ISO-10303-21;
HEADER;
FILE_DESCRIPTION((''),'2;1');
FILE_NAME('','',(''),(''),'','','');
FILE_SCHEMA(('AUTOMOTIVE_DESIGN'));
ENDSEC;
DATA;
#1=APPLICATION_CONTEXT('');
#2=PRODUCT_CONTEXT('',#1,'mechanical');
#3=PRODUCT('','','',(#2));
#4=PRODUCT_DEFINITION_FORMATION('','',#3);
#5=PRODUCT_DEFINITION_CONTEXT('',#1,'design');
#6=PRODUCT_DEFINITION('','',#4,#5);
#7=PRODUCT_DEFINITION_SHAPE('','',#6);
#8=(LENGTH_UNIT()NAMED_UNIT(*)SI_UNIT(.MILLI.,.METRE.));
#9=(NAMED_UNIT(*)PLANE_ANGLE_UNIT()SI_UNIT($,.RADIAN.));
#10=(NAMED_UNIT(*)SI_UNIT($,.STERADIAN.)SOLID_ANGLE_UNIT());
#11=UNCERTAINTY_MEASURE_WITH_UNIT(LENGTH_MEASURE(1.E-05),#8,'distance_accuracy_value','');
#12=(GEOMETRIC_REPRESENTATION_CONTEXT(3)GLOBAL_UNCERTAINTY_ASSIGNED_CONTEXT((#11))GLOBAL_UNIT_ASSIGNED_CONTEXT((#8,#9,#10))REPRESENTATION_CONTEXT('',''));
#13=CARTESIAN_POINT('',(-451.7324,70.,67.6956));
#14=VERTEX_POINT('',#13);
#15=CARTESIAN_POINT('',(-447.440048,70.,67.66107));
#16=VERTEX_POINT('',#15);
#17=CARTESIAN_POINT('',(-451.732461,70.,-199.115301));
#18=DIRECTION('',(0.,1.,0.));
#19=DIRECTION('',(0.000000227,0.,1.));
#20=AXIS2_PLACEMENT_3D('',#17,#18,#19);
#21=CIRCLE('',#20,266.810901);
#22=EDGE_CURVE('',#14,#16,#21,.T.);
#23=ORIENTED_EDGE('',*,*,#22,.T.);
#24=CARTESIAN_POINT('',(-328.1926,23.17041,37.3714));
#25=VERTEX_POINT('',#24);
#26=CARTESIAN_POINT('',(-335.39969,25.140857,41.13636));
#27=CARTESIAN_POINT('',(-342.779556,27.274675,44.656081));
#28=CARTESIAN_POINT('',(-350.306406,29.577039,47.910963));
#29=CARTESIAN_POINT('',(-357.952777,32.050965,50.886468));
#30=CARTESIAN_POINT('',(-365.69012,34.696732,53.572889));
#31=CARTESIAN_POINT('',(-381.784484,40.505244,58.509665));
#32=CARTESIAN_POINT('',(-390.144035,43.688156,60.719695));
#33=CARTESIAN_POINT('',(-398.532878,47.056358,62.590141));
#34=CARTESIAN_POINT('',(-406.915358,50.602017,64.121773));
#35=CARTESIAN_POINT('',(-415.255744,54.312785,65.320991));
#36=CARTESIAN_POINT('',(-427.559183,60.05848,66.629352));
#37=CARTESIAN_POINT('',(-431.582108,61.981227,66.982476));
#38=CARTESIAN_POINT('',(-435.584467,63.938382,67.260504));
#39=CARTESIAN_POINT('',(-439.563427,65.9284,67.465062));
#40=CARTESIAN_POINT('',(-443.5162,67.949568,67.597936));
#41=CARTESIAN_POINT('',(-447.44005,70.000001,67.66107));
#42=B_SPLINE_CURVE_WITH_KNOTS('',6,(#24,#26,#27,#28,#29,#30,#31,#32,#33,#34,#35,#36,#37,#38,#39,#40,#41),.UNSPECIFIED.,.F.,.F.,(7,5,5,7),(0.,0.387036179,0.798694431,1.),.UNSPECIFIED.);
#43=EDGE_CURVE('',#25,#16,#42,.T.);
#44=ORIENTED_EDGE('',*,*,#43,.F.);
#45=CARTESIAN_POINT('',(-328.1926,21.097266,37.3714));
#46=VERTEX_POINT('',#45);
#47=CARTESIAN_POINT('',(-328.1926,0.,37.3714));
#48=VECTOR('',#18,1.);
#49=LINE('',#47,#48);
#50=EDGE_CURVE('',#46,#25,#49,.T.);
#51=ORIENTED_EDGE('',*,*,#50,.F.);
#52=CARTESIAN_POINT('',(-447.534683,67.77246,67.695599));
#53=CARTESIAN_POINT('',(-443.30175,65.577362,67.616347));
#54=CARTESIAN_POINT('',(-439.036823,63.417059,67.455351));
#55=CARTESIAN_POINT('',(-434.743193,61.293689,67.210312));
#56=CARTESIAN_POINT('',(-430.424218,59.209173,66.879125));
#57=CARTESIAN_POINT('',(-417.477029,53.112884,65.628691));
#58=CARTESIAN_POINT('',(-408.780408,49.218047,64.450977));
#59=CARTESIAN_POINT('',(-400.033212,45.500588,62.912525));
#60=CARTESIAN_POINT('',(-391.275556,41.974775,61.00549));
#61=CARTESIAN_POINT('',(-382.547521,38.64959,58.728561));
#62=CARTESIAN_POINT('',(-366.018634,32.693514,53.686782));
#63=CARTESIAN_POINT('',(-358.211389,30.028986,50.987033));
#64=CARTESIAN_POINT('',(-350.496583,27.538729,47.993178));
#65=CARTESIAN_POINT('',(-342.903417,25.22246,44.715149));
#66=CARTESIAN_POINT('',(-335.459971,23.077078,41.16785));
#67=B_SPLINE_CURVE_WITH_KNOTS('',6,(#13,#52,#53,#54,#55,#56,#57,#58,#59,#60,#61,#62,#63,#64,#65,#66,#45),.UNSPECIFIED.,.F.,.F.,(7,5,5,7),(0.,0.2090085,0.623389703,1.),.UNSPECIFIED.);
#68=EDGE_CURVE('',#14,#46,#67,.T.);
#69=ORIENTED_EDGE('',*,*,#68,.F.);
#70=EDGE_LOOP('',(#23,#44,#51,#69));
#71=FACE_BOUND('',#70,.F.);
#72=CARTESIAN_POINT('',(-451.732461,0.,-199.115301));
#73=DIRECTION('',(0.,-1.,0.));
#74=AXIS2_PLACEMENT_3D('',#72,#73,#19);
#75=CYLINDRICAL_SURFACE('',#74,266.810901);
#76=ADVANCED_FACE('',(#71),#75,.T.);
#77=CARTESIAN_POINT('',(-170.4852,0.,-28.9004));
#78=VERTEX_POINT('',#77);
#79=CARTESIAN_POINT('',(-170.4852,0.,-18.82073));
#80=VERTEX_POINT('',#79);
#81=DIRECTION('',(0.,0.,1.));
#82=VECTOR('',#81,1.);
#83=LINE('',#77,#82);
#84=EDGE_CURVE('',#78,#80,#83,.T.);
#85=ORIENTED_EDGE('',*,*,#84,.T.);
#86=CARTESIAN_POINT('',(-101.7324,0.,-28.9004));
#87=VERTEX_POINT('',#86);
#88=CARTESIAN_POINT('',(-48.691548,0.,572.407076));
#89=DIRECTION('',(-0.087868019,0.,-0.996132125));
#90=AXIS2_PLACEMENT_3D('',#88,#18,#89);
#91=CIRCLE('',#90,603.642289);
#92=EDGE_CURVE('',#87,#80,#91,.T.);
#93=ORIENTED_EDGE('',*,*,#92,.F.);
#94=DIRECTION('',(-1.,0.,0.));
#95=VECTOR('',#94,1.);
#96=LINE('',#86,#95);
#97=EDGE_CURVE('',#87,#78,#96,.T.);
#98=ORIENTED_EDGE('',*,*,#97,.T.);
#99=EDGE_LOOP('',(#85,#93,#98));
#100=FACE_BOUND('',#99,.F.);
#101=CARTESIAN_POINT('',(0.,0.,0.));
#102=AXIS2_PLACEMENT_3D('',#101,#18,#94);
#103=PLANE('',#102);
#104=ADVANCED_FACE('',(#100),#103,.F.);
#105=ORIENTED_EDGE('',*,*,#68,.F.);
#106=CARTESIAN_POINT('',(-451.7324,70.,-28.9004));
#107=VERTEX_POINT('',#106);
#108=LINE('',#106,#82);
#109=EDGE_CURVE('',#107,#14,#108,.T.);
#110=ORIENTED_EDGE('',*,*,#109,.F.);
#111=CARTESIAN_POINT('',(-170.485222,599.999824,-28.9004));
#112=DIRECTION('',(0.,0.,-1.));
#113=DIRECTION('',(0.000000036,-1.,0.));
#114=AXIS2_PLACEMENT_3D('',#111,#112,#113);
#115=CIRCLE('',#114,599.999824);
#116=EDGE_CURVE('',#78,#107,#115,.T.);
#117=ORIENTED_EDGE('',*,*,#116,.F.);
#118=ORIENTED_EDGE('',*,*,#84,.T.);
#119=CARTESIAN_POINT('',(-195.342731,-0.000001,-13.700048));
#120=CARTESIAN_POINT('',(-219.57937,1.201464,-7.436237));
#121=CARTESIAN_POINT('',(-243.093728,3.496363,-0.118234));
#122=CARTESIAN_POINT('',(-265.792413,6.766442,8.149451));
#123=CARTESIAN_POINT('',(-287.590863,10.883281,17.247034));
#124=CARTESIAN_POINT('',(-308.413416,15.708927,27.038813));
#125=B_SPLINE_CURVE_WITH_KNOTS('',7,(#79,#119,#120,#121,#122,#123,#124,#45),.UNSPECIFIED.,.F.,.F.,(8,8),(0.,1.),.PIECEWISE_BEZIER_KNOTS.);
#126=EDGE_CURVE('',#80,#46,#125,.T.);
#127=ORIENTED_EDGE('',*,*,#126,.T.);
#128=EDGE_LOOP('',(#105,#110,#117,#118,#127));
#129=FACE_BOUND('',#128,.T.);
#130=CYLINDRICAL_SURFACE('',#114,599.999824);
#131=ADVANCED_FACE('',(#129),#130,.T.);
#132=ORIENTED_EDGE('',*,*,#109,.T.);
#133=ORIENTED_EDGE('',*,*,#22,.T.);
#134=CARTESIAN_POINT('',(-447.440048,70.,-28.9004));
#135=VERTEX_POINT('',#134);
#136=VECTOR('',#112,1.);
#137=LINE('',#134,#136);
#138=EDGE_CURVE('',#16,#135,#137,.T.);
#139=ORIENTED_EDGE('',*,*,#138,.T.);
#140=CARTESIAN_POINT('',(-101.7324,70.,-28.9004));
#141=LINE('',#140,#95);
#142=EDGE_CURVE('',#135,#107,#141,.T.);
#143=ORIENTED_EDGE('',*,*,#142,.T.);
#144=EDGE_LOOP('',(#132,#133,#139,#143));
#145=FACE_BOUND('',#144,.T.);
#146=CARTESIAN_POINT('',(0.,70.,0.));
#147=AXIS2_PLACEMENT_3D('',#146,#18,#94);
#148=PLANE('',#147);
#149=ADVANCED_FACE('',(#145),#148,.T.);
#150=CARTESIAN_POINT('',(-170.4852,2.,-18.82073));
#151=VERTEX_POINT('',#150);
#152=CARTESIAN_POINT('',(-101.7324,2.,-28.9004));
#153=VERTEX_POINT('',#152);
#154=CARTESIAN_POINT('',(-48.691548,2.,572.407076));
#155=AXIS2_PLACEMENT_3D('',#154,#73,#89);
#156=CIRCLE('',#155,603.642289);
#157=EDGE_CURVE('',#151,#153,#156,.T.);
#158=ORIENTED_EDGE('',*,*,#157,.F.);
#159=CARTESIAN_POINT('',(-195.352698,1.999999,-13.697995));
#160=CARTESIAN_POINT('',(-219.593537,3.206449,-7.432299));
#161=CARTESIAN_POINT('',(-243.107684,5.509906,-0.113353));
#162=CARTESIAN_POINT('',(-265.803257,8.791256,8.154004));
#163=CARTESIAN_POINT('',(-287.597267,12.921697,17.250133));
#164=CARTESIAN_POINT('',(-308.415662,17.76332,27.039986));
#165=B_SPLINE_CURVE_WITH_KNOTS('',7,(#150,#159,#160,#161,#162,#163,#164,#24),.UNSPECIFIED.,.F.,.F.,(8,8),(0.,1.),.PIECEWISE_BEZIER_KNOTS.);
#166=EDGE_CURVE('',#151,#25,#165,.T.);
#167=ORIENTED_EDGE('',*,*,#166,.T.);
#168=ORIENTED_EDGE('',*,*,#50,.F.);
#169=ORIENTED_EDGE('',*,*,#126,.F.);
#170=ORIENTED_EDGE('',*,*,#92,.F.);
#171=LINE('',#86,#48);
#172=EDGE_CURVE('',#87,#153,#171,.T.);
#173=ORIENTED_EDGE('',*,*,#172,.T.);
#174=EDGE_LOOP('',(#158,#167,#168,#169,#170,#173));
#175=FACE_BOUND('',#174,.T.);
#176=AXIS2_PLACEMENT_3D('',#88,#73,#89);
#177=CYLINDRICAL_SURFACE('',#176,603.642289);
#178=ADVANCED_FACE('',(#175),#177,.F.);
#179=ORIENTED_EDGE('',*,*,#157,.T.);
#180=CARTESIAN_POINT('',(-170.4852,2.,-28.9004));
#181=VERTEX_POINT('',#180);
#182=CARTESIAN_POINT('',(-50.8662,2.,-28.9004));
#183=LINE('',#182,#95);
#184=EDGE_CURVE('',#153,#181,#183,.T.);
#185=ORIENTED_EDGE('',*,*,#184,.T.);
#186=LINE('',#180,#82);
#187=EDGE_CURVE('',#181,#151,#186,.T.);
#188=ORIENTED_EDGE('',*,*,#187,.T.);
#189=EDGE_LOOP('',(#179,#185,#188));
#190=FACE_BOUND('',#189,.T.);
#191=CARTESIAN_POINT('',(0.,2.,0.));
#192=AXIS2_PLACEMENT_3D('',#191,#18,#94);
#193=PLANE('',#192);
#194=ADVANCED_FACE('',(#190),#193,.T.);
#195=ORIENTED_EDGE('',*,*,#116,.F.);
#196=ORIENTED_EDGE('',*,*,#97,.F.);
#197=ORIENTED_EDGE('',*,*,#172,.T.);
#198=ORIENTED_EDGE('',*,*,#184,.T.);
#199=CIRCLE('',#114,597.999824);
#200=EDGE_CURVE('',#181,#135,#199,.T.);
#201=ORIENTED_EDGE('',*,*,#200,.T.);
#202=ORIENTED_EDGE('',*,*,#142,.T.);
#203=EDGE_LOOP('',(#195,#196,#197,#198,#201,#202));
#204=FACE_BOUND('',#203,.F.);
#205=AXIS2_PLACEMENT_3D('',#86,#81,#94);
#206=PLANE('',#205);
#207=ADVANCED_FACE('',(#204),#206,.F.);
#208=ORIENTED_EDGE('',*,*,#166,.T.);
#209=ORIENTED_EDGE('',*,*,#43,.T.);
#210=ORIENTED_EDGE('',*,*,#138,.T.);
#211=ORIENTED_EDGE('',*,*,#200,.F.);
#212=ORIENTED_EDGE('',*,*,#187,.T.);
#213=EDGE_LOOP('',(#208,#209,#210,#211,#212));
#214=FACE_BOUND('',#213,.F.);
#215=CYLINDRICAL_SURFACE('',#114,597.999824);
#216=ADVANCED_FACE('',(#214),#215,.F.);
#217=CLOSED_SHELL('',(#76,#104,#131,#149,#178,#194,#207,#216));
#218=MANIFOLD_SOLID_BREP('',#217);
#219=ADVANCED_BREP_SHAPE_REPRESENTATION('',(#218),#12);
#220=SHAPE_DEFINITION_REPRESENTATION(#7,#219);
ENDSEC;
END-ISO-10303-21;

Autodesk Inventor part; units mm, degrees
ref_plane "YZ Plane" through (0, 0, 0) normal (1, 0, 0) x (0, 1, 0)
ref_plane "XZ Plane" through (0, 0, 0) normal (0, 1, 0) x (-1, 0, 0)
ref_plane "XY Plane" through (0, 0, 0) normal (0, 0, 1) x (1, 0, 0)
sketch "スケッチ1" plane through (0, 0, 0) normal (0, 1, 0) x (-1, 0, 0)
  line L0 (101.7324, -28.9004) -> (451.7324, -28.9004)
  line L1 (451.7324, -28.9004) -> (451.7324, 67.6956)
  arc A0 (451.7324, 67.6956) -> (328.1926, 37.3714) centre (451.7324, -199.1148) ccw
  arc A1 (101.7324, -28.9004) -> (328.1926, 37.3714) centre (48.6916, 572.4068) ccw
  dimension "d1" = 350
  dimension "d2" = 603.642
extrude "押し出し1" add sketch "スケッチ1" along normal blind 70
sketch "スケッチ2" plane through (-101.7324, 0, -28.9004) normal (0, 0, -1) x (-1, 0, 0)
  arc A0 (68.7528, 0) -> (350, 70) centre (68.7528, 600) ccw
  line L0 (350, 0) -> (0, 0) projected
  line L1 (350, 0) -> (350, 70) projected
  line L2 (0, 0) -> (0, 70) projected
  point P0 (-101.7324, 0)
  dimension "d9" = 600
extrude "押し出し2" cut sketch "スケッチ2" against normal through all
shell "シェル1" thickness 2 removed faces 4 at (-334.0598, 39.1147, 40.3449) at (-359.2071, 70, 10.3289) at (-150.6861, 46.6667, -22.5561) at (-325.356, 65.1801, -28.9004)
properties part number "splitter"
